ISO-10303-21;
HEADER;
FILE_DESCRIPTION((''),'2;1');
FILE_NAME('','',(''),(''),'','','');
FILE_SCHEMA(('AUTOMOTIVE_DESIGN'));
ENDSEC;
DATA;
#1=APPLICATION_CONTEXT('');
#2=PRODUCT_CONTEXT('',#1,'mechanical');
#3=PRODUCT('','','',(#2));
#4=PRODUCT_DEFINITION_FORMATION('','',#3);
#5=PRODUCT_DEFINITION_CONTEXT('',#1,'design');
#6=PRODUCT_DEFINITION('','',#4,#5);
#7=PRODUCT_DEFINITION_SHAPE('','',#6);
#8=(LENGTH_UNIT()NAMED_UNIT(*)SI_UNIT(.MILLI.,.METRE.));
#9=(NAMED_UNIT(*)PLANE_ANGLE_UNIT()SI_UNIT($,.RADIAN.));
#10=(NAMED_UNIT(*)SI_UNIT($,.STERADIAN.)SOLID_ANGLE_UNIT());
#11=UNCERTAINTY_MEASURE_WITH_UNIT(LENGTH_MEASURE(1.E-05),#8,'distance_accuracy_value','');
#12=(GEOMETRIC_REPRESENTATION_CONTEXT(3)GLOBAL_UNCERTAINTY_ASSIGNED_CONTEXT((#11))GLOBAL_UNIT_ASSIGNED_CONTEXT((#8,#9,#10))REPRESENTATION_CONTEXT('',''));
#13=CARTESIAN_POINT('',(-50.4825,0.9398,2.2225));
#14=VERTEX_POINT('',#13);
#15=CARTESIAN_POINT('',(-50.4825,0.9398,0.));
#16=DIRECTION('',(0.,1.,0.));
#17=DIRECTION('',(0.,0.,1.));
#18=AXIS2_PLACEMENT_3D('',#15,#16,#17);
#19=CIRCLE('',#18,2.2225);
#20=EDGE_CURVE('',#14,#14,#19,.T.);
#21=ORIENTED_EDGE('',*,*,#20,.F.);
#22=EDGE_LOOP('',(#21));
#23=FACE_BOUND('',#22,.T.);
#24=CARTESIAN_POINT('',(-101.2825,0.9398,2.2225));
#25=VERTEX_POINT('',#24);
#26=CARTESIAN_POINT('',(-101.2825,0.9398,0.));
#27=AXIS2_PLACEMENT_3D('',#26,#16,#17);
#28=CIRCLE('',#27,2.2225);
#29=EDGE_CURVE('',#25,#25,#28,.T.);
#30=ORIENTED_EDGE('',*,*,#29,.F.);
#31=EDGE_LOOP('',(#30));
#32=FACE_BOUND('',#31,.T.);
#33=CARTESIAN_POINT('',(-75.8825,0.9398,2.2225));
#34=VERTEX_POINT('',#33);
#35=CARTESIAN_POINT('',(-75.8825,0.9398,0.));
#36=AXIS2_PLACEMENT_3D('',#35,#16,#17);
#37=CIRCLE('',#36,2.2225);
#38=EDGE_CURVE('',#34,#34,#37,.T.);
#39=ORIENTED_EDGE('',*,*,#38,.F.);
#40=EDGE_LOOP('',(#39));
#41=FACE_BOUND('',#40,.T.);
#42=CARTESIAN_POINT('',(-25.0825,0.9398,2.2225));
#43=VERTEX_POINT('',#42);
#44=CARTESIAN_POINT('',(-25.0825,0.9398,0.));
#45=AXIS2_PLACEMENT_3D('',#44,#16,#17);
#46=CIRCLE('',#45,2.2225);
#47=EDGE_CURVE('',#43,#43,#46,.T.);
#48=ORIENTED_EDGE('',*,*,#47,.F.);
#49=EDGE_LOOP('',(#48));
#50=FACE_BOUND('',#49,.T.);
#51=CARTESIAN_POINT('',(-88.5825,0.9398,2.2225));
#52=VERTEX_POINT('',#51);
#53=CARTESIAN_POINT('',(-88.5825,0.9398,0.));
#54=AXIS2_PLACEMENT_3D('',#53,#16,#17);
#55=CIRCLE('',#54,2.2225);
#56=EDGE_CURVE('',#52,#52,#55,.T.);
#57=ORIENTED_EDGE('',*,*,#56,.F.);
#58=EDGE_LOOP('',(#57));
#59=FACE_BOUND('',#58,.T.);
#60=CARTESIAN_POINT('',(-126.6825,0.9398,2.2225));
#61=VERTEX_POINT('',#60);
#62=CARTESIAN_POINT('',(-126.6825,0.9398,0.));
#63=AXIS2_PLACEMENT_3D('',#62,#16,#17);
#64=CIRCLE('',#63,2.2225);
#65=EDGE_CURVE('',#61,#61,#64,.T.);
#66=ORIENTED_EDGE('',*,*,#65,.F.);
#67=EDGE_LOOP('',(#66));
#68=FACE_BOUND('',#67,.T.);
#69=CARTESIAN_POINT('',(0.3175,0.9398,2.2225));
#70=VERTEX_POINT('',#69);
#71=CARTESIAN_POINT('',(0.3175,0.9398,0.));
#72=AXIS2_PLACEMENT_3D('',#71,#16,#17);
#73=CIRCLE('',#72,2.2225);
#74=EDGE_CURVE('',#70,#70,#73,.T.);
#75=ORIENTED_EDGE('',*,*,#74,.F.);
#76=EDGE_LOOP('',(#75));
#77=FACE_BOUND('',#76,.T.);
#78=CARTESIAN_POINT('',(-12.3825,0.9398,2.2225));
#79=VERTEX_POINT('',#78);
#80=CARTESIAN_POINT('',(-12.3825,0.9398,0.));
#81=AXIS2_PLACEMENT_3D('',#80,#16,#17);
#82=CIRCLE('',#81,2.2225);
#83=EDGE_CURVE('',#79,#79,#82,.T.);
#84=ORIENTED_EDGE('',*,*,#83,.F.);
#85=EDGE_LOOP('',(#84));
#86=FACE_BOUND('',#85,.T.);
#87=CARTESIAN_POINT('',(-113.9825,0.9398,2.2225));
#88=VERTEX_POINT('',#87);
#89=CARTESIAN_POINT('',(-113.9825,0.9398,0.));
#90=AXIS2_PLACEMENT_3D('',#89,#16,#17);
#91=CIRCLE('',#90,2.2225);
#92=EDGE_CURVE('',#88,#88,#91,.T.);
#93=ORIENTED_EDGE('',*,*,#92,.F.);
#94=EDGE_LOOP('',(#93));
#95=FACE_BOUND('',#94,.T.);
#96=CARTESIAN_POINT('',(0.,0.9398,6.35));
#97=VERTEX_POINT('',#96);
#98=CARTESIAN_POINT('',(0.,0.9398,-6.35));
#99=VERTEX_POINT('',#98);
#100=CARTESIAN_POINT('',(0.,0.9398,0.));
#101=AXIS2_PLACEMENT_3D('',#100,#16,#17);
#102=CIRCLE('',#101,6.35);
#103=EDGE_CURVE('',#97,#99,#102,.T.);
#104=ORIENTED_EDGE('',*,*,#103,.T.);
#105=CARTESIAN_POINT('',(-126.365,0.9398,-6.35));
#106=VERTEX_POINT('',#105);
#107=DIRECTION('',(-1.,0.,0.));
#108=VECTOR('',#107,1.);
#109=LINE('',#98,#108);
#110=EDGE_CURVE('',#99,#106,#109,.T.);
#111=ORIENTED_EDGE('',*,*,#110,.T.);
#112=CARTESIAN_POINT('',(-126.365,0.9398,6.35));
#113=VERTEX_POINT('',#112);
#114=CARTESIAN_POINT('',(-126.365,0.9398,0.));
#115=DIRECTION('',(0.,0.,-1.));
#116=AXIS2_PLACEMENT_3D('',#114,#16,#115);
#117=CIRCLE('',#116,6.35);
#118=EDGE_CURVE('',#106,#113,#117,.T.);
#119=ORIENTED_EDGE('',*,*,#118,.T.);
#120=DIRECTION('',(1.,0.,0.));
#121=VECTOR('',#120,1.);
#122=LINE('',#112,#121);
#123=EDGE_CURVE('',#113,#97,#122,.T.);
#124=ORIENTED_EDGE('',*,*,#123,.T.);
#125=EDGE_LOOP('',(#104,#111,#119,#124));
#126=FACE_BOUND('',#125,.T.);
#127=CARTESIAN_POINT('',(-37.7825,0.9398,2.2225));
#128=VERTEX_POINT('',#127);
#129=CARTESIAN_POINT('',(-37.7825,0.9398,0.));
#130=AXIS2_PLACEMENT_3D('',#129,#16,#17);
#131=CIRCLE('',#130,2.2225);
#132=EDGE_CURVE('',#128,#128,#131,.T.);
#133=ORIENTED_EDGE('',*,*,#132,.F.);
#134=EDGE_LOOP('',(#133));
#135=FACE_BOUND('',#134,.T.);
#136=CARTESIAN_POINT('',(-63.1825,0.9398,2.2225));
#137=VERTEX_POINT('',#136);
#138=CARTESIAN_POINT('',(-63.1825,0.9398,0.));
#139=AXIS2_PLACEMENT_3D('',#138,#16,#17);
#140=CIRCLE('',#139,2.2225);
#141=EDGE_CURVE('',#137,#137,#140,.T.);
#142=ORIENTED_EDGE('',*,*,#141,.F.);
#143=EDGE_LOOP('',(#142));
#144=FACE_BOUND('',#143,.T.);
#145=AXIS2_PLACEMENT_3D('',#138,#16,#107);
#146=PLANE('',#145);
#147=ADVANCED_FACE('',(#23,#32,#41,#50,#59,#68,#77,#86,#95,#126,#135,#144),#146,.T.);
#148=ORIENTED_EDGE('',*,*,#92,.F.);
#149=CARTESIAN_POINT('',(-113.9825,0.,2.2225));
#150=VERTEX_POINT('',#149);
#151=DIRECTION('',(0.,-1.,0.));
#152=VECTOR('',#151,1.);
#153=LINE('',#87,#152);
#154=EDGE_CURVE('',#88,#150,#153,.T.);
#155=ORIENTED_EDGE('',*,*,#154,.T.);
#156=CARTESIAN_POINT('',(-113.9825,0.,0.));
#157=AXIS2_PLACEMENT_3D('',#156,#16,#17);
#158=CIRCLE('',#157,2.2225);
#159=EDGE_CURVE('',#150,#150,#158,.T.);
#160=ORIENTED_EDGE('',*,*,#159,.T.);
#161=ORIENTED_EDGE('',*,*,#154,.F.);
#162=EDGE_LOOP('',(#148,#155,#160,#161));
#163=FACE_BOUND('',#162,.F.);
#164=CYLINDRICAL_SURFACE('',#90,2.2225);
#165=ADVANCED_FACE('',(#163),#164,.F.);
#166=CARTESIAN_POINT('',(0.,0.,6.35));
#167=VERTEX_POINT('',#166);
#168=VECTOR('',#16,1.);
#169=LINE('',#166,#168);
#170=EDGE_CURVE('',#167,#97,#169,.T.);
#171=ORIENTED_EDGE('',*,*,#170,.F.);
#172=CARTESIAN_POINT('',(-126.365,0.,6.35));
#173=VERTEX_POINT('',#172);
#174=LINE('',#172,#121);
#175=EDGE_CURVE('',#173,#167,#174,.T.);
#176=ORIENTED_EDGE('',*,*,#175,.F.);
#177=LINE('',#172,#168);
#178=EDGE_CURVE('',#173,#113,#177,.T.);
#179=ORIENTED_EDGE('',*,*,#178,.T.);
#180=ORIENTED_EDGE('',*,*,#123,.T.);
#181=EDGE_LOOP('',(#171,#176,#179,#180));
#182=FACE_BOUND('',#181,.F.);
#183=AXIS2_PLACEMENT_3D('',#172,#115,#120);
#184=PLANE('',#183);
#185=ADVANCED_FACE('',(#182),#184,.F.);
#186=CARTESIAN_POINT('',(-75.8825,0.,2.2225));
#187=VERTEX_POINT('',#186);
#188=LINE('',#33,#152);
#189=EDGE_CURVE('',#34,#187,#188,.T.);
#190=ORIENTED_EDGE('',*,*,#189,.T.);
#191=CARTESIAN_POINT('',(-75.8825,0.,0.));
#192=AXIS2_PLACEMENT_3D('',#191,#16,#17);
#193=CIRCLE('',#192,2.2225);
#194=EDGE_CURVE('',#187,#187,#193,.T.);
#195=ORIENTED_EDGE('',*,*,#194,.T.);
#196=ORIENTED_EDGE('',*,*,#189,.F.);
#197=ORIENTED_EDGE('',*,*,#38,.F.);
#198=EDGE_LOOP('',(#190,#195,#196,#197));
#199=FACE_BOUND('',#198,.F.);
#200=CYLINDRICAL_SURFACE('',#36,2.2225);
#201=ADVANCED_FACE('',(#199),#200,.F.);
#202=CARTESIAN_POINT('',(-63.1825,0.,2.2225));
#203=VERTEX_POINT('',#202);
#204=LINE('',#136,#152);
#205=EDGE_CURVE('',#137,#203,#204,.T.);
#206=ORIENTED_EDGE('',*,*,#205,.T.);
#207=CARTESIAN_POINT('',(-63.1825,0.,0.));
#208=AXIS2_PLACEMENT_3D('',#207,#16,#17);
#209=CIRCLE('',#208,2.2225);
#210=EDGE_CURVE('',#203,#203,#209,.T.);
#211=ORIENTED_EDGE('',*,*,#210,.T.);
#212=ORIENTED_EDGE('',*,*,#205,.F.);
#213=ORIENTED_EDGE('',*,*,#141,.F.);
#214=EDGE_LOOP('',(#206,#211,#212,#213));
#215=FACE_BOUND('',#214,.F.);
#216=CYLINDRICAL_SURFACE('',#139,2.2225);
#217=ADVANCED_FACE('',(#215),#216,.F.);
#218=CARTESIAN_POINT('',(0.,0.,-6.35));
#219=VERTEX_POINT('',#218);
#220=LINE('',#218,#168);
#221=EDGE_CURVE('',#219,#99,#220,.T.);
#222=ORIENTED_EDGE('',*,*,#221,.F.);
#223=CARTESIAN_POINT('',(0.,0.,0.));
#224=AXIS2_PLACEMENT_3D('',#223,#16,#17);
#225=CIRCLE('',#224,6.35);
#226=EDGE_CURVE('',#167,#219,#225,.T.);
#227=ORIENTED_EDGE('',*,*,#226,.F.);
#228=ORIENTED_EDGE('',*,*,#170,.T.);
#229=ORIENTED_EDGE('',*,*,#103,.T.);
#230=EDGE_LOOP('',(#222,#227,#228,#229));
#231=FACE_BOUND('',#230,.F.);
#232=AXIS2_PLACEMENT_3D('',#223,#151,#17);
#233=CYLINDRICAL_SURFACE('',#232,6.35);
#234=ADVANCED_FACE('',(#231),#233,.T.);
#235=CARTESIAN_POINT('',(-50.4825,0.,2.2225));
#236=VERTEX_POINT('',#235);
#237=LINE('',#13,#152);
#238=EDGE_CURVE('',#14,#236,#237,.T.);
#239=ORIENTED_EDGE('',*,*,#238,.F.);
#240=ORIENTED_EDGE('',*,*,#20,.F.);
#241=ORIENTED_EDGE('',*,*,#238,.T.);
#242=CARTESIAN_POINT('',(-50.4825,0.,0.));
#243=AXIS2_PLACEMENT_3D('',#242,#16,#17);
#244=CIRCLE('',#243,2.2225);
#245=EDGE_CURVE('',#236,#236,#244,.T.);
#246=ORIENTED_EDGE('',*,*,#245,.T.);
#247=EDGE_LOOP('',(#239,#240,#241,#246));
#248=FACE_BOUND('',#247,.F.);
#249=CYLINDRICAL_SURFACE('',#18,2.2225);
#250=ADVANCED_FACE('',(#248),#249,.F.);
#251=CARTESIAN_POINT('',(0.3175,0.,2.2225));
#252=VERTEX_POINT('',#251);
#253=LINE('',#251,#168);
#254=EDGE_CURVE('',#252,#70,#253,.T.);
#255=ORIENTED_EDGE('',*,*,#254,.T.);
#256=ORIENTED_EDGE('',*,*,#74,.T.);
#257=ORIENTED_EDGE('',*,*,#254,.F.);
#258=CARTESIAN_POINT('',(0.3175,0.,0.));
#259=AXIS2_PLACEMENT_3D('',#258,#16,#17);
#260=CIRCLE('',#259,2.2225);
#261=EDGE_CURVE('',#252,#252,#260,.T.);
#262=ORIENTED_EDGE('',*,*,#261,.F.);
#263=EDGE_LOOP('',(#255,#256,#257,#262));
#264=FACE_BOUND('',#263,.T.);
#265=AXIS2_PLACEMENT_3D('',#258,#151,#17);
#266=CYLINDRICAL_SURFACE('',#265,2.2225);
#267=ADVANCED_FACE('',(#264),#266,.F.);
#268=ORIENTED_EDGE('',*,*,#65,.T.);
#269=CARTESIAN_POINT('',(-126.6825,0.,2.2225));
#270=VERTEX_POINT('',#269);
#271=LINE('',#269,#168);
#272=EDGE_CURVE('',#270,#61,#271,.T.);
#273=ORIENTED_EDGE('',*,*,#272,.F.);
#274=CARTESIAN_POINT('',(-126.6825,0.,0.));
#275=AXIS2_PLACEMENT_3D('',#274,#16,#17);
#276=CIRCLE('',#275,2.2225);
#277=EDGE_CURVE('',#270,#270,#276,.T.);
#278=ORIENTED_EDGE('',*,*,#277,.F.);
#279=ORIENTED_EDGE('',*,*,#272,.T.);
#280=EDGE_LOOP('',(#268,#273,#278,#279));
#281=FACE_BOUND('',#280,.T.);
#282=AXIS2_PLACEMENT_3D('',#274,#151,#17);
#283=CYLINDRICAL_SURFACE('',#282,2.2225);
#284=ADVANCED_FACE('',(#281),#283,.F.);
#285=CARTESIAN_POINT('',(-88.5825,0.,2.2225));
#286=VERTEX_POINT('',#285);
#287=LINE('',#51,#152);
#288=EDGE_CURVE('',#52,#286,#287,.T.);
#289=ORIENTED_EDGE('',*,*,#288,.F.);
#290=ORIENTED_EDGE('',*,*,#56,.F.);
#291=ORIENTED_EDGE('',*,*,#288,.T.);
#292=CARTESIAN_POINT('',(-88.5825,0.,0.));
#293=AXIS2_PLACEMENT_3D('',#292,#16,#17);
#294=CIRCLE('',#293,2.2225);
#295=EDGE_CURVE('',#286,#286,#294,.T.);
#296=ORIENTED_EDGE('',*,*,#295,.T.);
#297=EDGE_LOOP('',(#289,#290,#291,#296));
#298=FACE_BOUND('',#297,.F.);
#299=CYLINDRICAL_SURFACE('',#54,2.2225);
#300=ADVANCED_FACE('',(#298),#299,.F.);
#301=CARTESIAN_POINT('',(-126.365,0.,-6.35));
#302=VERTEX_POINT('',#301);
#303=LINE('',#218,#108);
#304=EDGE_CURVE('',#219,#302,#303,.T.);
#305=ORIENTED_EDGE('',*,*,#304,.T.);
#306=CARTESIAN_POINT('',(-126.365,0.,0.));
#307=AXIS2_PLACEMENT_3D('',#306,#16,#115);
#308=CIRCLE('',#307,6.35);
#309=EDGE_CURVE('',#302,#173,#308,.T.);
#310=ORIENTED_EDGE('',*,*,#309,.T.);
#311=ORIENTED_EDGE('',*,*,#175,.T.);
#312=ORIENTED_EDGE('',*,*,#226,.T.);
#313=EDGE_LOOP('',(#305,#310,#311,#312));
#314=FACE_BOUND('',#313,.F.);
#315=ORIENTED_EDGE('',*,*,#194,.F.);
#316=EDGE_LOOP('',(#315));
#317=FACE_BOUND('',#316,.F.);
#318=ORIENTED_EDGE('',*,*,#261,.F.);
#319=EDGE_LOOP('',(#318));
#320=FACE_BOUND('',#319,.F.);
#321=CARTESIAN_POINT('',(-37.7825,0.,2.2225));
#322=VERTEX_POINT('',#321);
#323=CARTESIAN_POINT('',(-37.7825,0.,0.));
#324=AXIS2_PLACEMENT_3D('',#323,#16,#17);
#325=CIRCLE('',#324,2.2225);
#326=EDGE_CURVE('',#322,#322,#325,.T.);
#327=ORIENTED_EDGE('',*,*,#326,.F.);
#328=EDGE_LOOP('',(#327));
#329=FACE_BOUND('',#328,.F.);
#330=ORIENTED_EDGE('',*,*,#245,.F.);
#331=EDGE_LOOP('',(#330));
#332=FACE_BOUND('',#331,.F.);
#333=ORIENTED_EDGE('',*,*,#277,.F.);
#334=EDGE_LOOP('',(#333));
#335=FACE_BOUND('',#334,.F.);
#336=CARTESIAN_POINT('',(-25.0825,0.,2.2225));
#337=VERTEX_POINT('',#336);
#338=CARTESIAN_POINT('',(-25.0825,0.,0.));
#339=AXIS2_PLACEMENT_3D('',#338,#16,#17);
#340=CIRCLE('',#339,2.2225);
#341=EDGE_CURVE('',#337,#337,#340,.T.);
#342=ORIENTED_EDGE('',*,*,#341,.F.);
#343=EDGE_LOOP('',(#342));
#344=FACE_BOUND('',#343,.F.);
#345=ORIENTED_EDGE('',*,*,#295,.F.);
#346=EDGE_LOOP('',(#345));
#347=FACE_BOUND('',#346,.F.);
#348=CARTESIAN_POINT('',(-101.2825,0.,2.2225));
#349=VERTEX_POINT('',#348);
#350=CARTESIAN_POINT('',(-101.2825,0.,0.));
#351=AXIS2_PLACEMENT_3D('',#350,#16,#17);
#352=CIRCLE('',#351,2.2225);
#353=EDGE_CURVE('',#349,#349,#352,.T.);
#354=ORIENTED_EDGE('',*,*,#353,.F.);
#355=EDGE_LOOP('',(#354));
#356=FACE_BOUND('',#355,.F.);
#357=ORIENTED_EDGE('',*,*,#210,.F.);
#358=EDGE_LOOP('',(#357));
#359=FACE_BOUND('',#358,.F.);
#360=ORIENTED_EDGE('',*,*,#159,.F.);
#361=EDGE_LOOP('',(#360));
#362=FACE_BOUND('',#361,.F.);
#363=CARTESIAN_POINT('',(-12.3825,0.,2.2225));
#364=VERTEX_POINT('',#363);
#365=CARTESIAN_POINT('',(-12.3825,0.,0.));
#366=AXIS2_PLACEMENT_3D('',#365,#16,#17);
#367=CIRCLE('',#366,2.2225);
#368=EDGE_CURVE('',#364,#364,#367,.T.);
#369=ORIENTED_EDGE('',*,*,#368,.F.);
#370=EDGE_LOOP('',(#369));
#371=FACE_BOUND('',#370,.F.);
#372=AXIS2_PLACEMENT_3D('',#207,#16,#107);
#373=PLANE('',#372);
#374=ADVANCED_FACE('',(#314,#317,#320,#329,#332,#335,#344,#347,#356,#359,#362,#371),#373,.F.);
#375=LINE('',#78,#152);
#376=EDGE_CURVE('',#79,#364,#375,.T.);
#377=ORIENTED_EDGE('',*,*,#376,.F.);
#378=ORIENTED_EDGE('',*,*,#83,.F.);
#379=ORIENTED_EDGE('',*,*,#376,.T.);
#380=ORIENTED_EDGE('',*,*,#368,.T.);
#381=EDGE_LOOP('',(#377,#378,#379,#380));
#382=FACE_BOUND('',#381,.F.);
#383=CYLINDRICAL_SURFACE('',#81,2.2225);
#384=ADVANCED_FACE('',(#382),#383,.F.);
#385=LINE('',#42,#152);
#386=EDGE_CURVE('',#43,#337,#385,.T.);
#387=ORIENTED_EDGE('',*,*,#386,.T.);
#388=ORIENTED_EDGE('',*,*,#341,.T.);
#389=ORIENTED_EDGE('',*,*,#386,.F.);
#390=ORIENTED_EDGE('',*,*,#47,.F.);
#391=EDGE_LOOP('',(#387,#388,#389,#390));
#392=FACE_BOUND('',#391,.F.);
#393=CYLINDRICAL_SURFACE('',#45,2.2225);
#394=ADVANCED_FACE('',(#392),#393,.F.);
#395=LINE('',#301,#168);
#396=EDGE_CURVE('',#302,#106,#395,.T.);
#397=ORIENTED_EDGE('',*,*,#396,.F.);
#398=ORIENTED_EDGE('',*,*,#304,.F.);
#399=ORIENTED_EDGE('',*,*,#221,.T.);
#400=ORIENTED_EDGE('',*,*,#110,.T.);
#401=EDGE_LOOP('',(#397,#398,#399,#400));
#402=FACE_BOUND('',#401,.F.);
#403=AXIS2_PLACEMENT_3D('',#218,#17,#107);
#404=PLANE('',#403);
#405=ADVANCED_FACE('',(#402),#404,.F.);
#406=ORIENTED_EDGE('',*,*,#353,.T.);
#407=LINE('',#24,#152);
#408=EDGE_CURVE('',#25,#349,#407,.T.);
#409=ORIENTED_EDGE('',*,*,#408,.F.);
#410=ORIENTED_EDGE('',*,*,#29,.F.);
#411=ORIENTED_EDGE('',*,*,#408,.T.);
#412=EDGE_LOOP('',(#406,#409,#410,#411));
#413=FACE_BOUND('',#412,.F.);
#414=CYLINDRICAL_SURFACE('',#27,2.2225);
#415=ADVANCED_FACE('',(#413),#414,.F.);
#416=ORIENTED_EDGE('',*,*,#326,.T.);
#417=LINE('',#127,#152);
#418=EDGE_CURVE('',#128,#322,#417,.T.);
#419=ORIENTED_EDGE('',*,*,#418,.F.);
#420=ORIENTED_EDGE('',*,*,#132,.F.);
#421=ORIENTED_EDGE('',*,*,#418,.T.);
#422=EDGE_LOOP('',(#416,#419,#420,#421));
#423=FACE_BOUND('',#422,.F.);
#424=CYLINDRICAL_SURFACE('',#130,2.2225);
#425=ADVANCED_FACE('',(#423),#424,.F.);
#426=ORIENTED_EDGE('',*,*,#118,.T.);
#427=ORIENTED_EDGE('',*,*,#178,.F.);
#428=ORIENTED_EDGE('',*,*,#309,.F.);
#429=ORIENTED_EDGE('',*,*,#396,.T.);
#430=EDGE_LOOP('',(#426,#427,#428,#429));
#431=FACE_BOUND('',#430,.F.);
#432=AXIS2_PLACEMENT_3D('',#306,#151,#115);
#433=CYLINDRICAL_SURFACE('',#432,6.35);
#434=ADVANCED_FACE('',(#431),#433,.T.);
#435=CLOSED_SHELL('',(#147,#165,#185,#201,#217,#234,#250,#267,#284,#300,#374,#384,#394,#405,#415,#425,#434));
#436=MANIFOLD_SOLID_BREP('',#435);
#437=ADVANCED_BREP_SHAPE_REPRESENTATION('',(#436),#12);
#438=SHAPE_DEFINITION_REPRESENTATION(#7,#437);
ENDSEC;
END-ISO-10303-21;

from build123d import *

# Parameters (mm, degrees)
SKETCH1_R                = 2.2225
BAR_DEPTH                = 0.9398
SKETCH2_R                = 2.2225
CENTER_HOLE_DEPTH        = 133.870150708
OTHER_CENTER_HOLES_COUNT = 9
OTHER_CENTER_HOLES_PITCH = 12.7


with BuildPart() as part:
    # Sketch1 → Bar (new body)
    with BuildSketch(Plane(origin=(0, 0, 0), x_dir=(-1, 0, 0), z_dir=(0, 1, 0))):
        with BuildLine():
            Line((126.365, 6.35), (0, 6.35))
            ThreePointArc((0, 6.35), (-6.35, 0), (0, -6.35))
            Line((0, -6.35), (126.365, -6.35))
            ThreePointArc((126.365, -6.35), (132.715, 0), (126.365, 6.35))
        make_face()
        with Locations(Location((126.6825, 0, 0), (0, 0, 90))):
            Circle(SKETCH1_R, mode=Mode.SUBTRACT)
        with Locations(Location((-0.3175, 0, 0), (0, 0, 90))):
            Circle(SKETCH1_R, mode=Mode.SUBTRACT)
    extrude(amount=BAR_DEPTH)

    # Sketch2 → Center Hole (cut, through all)
    with BuildSketch(Plane(origin=(0, 0.9398, 0), x_dir=(1, 0, 0), z_dir=(0, 1, 0))):
        with Locations(Location((-113.9825, 0, 0), (0, 0, 270))):
            Circle(SKETCH2_R)
    center_hole = extrude(amount=-CENTER_HOLE_DEPTH, mode=Mode.SUBTRACT)

    # Other Center Holes: Center Hole ×9
    with Locations(*[(i * OTHER_CENTER_HOLES_PITCH, 0, 0) for i in range(1, OTHER_CENTER_HOLES_COUNT)]):
        add(center_hole, mode=Mode.SUBTRACT)


solid = part.part
